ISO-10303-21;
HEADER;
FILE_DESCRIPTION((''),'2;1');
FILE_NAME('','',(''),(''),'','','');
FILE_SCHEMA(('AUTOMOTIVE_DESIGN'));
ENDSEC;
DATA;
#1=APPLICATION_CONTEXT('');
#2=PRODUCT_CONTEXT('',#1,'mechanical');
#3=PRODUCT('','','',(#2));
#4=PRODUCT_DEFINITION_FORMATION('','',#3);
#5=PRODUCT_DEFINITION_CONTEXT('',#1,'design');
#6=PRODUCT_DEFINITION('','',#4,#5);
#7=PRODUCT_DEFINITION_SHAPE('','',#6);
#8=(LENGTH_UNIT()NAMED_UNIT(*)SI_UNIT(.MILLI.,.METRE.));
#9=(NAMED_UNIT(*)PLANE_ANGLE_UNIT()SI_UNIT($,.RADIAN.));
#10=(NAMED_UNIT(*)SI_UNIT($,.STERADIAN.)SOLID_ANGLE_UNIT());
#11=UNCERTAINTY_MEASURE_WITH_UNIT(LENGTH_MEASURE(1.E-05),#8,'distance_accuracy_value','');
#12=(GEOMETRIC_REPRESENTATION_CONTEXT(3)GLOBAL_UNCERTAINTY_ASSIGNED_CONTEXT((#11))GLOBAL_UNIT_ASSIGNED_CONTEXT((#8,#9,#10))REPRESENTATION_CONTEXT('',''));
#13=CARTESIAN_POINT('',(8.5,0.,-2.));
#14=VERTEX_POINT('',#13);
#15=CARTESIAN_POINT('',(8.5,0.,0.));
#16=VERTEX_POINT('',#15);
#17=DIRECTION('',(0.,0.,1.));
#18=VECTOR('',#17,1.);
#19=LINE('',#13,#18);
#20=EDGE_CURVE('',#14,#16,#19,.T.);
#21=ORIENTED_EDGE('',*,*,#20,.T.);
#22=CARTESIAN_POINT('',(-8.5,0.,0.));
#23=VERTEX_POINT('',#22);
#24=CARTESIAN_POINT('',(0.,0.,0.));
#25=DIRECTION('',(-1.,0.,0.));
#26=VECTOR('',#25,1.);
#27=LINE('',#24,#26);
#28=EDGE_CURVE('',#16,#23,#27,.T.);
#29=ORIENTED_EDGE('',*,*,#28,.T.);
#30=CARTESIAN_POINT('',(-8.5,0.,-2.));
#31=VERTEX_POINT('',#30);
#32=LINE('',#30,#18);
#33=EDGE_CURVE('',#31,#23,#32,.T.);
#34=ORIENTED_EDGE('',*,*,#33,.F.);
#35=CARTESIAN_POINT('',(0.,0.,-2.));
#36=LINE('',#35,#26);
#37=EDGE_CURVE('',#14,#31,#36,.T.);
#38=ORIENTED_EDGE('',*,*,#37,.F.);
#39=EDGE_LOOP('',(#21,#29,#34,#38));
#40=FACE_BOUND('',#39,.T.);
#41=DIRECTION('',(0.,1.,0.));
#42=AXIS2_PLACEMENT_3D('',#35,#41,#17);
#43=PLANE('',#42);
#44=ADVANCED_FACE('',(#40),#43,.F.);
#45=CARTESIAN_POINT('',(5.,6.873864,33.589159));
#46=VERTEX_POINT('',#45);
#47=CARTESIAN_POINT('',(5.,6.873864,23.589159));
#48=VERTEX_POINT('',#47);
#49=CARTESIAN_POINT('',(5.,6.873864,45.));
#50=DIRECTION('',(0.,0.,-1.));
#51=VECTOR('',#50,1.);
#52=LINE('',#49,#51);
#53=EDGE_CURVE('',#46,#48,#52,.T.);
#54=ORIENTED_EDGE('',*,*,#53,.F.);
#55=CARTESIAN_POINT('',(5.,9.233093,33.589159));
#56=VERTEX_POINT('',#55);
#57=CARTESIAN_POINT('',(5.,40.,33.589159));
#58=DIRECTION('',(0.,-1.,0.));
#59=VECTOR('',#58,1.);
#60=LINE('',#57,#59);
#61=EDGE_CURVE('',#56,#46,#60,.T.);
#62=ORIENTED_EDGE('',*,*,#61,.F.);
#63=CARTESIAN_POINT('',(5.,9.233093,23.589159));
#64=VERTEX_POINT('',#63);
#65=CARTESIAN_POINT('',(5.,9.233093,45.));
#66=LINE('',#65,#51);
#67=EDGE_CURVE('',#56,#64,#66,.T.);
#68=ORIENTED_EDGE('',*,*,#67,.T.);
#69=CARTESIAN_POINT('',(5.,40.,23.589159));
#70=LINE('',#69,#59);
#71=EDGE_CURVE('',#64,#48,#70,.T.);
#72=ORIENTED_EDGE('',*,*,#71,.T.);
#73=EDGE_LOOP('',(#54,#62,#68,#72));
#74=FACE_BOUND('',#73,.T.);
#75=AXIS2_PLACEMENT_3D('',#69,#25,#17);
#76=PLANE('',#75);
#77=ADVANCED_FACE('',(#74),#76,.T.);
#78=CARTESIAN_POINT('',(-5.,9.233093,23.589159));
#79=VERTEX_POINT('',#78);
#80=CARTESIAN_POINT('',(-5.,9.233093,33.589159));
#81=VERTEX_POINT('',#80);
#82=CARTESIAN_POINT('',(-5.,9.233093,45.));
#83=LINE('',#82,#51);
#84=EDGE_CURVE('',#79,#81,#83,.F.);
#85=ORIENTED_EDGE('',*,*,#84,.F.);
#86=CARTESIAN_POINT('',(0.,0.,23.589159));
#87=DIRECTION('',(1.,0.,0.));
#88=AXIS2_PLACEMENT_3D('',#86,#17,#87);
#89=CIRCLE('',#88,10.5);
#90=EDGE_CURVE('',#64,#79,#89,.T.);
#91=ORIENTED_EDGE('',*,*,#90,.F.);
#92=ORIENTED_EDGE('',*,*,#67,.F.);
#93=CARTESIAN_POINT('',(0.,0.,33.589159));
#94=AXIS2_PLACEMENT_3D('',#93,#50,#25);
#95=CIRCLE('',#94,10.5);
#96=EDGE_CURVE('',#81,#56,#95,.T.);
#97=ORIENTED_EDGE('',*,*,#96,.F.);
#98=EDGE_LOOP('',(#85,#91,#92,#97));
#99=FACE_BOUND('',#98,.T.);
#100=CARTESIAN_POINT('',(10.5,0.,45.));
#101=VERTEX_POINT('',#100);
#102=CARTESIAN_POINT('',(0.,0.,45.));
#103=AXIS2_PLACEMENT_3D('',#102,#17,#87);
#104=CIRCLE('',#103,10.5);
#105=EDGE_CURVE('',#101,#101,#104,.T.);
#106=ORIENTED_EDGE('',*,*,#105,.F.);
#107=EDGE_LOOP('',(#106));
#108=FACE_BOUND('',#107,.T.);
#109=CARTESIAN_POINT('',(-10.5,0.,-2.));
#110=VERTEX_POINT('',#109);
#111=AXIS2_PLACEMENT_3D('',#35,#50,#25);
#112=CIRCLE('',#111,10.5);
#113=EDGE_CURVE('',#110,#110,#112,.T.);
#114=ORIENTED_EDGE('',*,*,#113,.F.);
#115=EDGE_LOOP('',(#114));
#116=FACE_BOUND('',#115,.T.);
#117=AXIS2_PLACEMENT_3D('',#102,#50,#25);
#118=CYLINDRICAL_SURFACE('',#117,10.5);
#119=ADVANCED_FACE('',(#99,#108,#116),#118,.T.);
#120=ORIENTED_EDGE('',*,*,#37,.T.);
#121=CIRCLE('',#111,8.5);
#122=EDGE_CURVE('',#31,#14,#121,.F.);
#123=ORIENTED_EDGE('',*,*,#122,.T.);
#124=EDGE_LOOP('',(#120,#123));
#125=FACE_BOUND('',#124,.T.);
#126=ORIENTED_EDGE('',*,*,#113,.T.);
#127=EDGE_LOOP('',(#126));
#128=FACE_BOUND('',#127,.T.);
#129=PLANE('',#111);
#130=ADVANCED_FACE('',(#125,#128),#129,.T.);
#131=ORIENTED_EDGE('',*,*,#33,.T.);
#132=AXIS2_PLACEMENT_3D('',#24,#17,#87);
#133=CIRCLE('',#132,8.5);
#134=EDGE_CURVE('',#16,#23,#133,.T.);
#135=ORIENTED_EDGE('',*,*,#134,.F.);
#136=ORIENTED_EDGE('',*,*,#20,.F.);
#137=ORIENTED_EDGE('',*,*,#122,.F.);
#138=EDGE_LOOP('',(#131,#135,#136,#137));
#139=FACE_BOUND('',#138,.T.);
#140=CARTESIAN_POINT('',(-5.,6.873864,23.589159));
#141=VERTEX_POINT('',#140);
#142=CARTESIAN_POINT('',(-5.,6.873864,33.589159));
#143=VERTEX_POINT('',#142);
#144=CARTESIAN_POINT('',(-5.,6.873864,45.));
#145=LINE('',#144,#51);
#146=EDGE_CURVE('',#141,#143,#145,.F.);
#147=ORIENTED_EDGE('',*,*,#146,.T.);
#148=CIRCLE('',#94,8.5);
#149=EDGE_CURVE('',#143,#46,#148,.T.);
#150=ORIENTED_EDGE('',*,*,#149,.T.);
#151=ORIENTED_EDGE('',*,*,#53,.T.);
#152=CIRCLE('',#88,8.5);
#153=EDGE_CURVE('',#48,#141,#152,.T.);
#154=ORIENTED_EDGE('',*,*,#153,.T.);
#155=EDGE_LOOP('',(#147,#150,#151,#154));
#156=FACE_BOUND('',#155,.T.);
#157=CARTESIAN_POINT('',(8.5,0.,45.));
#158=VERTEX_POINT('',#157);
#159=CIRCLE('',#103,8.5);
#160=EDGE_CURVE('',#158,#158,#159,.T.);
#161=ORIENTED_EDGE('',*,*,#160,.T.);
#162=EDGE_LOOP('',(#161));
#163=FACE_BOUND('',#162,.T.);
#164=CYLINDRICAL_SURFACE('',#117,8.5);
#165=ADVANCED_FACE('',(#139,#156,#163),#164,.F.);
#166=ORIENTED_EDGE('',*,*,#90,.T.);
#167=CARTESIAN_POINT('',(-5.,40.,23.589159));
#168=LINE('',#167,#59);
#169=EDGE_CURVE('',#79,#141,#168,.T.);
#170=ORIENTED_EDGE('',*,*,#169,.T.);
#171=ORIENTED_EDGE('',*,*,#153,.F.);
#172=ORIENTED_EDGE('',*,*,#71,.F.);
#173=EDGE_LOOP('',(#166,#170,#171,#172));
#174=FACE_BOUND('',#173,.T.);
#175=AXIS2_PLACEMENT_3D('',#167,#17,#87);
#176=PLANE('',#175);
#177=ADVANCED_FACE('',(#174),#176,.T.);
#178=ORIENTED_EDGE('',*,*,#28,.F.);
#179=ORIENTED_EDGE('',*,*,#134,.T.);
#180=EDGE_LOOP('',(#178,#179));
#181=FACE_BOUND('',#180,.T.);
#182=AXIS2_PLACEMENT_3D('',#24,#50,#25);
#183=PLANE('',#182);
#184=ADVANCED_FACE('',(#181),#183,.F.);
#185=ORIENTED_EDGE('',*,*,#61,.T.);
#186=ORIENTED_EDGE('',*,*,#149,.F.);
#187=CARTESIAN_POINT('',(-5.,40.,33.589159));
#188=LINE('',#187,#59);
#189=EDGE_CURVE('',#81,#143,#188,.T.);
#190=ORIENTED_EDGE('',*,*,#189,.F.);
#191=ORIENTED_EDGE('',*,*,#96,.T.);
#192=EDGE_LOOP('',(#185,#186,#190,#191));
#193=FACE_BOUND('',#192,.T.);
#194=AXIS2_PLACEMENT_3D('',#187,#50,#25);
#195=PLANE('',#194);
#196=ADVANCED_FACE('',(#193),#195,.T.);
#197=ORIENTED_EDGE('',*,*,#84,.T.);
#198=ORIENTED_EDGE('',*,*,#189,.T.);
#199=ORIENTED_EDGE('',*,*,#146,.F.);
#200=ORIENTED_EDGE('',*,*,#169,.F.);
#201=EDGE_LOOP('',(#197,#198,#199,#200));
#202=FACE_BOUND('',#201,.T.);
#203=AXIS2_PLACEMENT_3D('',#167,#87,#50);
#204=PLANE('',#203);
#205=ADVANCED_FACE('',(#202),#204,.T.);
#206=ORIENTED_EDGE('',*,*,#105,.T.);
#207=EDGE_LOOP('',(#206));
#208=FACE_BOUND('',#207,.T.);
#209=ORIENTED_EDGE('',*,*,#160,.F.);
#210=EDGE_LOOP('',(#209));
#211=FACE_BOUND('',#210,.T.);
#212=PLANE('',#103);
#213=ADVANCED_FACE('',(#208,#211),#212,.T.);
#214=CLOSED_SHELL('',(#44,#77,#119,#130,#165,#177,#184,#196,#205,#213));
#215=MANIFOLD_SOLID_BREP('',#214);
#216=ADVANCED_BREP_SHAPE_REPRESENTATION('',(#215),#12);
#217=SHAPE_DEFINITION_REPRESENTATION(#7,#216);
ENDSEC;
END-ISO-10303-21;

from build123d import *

# Parameters (mm, degrees)
SKETCH1_R           = 10.5
SKETCH1_R_2         = 8.5
BOSS_EXTRUDE1_DEPTH = 45
SKETCH2_W           = 10
SKETCH2_H           = 10
CUT_EXTRUDE1_DEPTH  = 40
BOSS_EXTRUDE4_START = 2
SKETCH6_R           = 10.5
BOSS_EXTRUDE4_DEPTH = 2


with BuildPart() as part:
    # Sketch1 → Boss-Extrude1 (new body)
    with BuildSketch(Plane.XY):
        with Locations(Location((0, 0, 0), (0, 0, 180))):
            Circle(SKETCH1_R)
        with Locations(Location((0, 0, 0), (0, 0, 180))):
            Circle(SKETCH1_R_2, mode=Mode.SUBTRACT)
    extrude(amount=BOSS_EXTRUDE1_DEPTH)

    # Sketch2 → Cut-Extrude1 (cut)
    with BuildSketch(Plane(origin=(0, 0, 0), x_dir=(1, 0, 0), z_dir=(0, 1, 0))):
        with Locations((0, -28.58915915)):
            Rectangle(SKETCH2_W, SKETCH2_H)
    extrude(amount=CUT_EXTRUDE1_DEPTH, mode=Mode.SUBTRACT)

    # Sketch6 → Boss-Extrude4 (add)
    with BuildSketch(Plane(origin=(0, 0, 0), x_dir=(-1, 0, 0), z_dir=(0, 0, -1)).offset(BOSS_EXTRUDE4_START)):
        Circle(SKETCH6_R)
        with BuildLine():
            Line((-8.5, 0), (8.5, 0))
            ThreePointArc((8.5, 0), (0, -8.5), (-8.5, 0))
        make_face(mode=Mode.SUBTRACT)
    extrude(amount=-BOSS_EXTRUDE4_DEPTH)


solid = part.part
